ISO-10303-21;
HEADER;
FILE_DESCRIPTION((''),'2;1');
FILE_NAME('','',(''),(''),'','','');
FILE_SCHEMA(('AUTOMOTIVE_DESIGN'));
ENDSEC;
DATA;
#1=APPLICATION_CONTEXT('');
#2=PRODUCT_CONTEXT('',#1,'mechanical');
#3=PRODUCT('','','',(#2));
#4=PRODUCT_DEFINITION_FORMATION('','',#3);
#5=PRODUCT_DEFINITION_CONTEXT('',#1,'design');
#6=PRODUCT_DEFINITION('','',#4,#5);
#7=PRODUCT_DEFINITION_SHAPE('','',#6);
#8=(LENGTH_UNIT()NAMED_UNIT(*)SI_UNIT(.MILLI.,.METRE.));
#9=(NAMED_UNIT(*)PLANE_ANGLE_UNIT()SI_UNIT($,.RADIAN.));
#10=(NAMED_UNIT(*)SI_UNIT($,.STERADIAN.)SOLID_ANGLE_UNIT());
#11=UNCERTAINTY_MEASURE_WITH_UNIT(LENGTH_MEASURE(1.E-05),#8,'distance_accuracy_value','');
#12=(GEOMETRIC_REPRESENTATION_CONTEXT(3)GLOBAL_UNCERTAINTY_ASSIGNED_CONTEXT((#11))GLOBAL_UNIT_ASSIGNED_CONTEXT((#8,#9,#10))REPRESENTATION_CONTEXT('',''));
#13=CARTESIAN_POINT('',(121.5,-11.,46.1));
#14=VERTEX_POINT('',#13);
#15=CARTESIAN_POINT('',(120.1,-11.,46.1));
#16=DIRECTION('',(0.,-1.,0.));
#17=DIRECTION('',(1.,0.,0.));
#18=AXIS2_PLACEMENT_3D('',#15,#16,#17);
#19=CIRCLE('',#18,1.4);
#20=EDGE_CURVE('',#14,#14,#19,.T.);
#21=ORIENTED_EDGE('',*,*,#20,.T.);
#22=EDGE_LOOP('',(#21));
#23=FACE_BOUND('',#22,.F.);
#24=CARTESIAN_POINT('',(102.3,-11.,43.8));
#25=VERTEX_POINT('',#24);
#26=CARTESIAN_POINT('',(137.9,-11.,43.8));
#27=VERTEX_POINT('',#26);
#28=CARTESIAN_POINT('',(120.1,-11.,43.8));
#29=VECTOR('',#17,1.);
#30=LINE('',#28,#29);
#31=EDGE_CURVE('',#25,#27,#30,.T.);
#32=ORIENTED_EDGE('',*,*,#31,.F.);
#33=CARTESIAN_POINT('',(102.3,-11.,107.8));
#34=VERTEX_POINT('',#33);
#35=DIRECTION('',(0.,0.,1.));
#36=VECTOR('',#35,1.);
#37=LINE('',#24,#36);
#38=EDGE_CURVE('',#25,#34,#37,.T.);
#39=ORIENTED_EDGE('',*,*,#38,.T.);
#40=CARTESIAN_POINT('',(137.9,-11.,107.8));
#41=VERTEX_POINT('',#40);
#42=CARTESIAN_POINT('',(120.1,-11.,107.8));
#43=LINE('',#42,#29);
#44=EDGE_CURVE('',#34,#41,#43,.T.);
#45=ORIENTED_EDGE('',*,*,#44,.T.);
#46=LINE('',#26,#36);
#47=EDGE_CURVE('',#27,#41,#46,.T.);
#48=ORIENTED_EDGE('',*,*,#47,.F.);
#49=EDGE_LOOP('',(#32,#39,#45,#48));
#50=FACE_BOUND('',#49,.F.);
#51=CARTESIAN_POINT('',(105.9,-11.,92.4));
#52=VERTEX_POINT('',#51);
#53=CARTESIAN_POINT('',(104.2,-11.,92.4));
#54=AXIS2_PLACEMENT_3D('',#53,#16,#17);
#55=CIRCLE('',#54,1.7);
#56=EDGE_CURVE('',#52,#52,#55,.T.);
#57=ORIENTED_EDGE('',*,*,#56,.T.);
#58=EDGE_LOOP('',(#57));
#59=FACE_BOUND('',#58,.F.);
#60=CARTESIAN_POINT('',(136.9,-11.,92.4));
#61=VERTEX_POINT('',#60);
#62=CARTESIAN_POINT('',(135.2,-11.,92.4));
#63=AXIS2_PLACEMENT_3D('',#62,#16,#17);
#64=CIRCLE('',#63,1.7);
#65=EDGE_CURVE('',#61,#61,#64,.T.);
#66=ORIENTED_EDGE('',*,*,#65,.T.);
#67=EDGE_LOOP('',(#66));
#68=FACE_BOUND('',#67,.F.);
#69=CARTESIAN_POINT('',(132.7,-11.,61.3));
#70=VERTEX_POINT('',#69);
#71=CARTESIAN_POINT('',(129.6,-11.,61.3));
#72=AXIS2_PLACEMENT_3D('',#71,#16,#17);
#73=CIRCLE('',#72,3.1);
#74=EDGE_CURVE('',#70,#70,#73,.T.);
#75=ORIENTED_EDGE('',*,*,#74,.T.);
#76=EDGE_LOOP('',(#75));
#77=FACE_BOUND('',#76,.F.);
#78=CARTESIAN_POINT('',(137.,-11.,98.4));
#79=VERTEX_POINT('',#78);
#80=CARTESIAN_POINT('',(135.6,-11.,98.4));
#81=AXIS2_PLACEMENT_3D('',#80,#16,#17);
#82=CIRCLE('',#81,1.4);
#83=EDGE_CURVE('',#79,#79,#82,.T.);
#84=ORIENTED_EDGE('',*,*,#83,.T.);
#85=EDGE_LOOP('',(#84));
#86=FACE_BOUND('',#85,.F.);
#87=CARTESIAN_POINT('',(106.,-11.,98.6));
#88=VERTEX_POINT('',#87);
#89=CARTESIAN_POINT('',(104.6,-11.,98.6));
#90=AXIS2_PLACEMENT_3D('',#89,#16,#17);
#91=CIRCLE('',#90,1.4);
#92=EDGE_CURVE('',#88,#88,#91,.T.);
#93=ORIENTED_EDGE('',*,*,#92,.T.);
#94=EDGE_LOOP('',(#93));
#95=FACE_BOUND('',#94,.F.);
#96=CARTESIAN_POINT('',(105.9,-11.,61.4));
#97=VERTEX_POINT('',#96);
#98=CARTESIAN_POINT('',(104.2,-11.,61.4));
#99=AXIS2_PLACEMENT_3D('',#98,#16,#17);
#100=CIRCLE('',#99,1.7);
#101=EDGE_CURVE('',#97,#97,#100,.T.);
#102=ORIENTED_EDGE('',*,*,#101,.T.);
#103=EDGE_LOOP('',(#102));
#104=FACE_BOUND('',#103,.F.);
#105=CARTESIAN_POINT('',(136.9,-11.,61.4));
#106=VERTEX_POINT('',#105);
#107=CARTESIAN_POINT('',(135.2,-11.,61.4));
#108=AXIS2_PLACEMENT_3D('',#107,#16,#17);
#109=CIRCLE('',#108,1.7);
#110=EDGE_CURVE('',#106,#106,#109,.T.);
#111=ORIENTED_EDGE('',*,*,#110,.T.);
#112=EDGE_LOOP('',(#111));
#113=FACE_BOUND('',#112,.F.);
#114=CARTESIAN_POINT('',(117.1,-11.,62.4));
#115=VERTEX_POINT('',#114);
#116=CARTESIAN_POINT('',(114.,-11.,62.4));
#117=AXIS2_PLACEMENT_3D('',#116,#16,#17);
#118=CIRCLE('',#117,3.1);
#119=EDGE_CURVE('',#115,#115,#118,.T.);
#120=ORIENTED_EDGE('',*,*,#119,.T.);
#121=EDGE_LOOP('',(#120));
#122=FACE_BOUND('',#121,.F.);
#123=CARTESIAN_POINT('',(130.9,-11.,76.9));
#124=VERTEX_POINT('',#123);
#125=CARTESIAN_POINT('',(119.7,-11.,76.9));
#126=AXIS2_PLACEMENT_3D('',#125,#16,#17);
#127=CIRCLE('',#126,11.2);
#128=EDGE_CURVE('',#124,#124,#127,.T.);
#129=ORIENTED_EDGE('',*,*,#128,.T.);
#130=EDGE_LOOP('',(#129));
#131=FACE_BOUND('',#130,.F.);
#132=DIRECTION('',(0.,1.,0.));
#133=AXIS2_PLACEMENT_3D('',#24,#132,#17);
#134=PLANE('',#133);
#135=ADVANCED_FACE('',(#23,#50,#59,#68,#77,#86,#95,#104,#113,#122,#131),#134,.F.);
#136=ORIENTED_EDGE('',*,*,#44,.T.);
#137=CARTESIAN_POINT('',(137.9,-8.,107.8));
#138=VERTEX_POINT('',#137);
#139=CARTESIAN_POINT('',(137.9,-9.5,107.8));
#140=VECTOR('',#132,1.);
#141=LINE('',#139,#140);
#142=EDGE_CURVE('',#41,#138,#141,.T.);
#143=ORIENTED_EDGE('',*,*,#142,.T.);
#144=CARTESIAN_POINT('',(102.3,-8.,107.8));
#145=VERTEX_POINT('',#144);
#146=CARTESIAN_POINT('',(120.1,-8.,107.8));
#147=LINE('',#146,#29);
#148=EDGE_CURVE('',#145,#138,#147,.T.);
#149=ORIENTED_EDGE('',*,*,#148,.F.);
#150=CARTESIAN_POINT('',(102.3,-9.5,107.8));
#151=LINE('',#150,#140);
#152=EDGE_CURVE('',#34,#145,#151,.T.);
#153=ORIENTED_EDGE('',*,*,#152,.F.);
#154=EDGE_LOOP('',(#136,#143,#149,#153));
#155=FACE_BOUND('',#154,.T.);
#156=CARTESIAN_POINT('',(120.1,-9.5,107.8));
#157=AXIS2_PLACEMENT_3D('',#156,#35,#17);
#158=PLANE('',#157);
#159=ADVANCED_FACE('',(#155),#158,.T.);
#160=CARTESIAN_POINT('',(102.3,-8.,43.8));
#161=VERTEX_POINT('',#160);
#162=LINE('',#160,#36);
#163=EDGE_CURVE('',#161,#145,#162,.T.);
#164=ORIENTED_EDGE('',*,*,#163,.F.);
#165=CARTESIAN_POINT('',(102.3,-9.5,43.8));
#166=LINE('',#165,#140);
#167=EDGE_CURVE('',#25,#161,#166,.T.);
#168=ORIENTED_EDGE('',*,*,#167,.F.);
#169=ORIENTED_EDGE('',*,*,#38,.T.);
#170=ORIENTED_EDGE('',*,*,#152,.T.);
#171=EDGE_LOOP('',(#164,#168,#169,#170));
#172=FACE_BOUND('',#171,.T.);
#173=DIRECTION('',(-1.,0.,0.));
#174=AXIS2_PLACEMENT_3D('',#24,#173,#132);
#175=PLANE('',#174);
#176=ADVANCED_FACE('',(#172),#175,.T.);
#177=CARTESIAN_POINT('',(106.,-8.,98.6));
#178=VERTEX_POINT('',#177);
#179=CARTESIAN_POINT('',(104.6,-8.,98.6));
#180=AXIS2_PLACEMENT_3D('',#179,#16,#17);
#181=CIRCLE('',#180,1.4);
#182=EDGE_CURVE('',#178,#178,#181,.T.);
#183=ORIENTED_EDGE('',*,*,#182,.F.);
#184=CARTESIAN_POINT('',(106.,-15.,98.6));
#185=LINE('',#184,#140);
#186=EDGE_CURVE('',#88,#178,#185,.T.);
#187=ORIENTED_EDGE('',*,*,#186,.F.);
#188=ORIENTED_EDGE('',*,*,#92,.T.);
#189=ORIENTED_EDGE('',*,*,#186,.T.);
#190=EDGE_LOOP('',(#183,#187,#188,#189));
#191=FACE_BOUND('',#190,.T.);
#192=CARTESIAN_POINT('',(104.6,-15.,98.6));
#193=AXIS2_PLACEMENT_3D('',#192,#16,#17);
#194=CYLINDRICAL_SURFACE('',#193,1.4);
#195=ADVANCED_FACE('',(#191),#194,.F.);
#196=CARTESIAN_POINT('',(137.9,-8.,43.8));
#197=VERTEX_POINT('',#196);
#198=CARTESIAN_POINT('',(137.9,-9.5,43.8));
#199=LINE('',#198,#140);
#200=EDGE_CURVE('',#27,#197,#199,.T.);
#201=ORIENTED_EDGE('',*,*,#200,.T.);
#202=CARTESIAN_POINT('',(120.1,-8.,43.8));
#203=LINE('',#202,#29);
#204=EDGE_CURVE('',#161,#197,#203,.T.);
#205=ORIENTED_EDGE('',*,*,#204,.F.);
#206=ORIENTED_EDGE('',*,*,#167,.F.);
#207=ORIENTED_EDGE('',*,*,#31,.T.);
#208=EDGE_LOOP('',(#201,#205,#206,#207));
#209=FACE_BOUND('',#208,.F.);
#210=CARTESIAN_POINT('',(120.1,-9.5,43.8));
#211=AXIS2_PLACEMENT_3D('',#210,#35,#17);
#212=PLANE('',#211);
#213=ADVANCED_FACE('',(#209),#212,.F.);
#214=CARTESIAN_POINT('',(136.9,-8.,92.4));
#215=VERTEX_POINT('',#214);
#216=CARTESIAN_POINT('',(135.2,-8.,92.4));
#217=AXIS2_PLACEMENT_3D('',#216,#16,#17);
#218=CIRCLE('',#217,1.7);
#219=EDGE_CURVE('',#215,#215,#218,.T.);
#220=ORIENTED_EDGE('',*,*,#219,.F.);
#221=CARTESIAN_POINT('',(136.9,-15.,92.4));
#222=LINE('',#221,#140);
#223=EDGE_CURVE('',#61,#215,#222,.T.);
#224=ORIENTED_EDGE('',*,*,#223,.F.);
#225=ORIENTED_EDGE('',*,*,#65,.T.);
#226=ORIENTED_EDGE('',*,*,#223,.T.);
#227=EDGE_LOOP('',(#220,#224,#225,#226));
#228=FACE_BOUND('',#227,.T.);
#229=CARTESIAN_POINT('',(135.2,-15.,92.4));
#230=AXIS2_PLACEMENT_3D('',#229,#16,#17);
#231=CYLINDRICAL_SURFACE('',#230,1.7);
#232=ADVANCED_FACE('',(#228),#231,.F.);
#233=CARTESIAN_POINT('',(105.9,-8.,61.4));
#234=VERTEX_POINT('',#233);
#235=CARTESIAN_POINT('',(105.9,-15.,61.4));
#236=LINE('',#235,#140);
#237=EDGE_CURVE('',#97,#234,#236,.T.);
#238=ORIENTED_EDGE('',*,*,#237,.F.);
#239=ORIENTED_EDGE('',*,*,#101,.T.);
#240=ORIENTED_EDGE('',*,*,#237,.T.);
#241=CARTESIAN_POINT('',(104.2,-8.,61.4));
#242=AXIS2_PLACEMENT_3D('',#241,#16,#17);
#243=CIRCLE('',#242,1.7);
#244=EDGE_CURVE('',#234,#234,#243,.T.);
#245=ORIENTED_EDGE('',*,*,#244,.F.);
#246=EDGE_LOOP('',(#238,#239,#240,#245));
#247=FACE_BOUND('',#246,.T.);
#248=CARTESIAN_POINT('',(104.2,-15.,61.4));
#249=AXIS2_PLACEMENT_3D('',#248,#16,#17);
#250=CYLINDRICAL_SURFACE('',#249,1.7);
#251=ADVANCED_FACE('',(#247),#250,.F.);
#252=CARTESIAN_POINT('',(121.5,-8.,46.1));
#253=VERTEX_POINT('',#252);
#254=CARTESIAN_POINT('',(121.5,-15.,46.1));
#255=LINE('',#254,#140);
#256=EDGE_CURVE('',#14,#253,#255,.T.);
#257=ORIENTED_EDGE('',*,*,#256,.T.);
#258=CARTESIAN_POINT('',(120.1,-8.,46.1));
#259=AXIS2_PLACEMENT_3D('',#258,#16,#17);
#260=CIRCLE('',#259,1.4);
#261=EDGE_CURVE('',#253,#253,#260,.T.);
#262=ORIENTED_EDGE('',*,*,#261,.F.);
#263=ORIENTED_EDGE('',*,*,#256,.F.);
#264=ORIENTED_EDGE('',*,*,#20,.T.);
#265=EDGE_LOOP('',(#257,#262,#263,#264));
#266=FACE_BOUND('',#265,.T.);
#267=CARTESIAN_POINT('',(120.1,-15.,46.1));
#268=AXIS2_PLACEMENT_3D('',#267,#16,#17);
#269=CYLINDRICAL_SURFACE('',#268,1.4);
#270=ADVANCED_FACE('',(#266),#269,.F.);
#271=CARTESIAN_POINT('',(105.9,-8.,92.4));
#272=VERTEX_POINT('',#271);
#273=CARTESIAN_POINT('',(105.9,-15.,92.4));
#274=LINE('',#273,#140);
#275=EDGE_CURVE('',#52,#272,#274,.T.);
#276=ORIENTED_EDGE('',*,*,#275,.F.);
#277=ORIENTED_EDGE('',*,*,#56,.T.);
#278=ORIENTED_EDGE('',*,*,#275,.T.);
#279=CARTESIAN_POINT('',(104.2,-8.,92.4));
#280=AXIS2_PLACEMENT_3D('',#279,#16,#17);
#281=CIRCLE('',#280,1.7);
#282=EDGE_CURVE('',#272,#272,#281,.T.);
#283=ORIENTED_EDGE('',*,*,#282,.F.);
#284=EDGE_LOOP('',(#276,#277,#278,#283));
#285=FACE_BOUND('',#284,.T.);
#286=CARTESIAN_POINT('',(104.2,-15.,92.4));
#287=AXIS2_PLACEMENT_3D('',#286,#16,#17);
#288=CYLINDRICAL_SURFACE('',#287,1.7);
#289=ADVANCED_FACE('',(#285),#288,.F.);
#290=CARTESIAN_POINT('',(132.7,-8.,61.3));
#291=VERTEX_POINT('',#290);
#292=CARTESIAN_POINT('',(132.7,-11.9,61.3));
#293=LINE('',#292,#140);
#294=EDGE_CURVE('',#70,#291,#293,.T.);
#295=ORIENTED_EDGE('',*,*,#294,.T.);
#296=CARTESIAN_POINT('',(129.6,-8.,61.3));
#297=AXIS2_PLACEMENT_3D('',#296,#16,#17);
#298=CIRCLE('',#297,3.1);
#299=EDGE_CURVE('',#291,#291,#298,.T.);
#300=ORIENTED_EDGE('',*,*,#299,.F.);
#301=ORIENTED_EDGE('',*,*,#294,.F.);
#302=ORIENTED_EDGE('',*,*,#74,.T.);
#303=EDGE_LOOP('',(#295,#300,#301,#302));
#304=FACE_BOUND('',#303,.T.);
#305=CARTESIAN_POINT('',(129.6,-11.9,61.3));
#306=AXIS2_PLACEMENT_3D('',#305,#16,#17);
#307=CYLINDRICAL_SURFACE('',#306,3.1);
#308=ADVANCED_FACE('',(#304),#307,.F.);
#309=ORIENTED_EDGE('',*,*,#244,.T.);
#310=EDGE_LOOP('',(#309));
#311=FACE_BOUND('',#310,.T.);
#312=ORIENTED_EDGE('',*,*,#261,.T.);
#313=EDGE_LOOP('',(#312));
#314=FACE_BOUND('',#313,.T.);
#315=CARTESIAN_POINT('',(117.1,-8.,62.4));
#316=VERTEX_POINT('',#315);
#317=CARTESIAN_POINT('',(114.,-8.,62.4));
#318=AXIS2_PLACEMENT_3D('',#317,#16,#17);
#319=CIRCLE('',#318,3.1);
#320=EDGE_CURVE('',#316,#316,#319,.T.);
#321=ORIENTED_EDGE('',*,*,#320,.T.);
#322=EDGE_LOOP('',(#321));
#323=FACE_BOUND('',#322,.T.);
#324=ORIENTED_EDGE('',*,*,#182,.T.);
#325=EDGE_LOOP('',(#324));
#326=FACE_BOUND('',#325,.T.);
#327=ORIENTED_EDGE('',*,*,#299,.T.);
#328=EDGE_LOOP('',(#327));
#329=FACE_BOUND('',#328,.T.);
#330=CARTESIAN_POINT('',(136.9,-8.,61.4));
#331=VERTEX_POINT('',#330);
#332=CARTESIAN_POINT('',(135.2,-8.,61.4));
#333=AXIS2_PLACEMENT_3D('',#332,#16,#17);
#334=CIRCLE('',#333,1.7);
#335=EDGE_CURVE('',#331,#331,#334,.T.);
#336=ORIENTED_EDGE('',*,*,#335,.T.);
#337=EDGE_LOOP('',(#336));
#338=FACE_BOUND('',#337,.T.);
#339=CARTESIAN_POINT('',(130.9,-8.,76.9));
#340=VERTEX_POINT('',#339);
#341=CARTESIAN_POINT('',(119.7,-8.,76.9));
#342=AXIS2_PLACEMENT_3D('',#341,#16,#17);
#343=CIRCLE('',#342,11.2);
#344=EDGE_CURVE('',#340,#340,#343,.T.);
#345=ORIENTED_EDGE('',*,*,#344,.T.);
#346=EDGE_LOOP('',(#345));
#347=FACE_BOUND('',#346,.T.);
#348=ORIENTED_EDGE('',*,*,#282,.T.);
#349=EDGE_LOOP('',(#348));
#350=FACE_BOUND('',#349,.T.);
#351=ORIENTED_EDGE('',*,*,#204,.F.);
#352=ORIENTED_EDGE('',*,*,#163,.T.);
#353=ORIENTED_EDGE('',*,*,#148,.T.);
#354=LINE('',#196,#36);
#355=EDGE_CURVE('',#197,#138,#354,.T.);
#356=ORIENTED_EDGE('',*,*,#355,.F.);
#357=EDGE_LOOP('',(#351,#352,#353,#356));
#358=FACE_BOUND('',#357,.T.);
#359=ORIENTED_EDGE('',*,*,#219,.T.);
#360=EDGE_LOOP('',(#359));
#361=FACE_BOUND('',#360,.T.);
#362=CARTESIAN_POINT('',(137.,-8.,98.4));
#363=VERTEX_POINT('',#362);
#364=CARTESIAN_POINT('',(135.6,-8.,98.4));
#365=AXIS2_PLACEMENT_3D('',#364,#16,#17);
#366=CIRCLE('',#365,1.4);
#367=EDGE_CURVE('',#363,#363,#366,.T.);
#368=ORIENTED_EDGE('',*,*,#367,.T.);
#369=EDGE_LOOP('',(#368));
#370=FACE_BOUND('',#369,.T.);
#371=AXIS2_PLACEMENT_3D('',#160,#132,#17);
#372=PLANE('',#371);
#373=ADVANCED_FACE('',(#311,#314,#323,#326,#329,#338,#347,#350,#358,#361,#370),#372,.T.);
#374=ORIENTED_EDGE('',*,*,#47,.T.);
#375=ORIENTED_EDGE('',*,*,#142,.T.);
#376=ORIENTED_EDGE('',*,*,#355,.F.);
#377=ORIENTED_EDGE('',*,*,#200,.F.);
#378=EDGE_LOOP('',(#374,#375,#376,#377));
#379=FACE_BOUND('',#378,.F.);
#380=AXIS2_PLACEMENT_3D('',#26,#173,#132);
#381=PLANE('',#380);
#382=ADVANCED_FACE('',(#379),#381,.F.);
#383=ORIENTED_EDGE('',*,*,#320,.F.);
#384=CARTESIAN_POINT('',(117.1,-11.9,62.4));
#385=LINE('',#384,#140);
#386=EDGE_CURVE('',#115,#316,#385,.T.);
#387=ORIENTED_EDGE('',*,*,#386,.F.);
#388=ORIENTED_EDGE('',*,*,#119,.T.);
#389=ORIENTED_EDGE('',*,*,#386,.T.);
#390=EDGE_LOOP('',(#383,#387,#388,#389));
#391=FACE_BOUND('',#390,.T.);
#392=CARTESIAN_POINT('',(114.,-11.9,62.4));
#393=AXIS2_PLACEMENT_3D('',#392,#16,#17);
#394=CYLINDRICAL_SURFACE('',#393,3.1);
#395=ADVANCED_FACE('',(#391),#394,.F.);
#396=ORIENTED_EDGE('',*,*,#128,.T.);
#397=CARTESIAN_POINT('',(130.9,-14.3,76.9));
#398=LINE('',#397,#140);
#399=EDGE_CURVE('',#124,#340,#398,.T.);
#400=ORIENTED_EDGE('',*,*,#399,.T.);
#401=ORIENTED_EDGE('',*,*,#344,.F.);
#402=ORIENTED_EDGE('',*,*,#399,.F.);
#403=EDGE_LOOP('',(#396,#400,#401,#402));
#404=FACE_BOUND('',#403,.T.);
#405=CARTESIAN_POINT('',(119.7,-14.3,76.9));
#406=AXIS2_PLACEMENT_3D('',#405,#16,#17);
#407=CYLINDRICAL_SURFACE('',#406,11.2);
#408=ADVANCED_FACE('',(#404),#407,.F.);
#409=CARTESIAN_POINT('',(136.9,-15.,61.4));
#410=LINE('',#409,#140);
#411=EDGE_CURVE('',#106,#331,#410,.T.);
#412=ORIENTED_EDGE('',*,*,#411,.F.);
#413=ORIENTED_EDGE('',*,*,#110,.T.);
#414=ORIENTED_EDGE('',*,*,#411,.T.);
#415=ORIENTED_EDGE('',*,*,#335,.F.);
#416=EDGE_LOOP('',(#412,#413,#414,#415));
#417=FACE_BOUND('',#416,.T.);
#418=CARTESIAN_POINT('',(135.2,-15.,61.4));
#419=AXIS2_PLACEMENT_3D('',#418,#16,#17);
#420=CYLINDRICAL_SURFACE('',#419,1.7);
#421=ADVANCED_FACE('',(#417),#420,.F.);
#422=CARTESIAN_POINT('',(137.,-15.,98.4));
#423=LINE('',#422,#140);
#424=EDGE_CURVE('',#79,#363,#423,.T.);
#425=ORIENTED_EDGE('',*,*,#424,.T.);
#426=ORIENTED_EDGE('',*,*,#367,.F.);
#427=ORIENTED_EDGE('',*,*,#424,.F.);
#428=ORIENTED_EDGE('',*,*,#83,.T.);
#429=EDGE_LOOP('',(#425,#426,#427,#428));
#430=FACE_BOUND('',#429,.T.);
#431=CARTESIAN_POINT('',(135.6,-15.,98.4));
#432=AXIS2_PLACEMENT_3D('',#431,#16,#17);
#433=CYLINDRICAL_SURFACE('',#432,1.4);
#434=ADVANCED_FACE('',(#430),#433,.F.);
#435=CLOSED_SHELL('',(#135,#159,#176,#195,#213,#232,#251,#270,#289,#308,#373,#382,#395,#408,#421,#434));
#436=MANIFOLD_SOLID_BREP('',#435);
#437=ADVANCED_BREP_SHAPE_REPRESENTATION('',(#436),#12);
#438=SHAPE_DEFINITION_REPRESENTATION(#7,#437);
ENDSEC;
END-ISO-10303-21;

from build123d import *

# Parameters (mm, degrees)
CYLINDER229_R     = 11.2
CYLINDER229_DEPTH = 10
CYLINDER223_R     = 1.7
CYLINDER223_DEPTH = 10
CYLINDER221_R     = 1.4
CYLINDER221_DEPTH = 10
CYLINDER220_R     = 1.7
CYLINDER220_DEPTH = 10
CYLINDER224_R     = 1.7
CYLINDER224_DEPTH = 10
CYLINDER222_R     = 1.7
CYLINDER222_DEPTH = 10
CYLINDER226_R     = 1.4
CYLINDER226_DEPTH = 10
CYLINDER225_R     = 1.4
CYLINDER225_DEPTH = 10
CYLINDER215_R     = 3.1
CYLINDER215_DEPTH = 28
CYLINDER214_R     = 3.1
CYLINDER214_DEPTH = 28
BOX081_W          = 35.6
BOX081_H          = 3
BOX081_DEPTH      = 64


with BuildPart() as cylinder229:
    # Cylinder229 → Cylinder229 (new body)
    with BuildSketch(Plane(origin=(119.7, -14.3, 76.9), x_dir=(1, 0, 0), z_dir=(0, 1, 0))):
        Circle(CYLINDER229_R)
    extrude(amount=CYLINDER229_DEPTH)


with BuildPart() as cylinder223:
    # Cylinder223 → Cylinder223 (new body)
    with BuildSketch(Plane(origin=(135.2, -15, 61.4), x_dir=(1, 0, 0), z_dir=(0, 1, 0))):
        Circle(CYLINDER223_R)
    extrude(amount=CYLINDER223_DEPTH)


with BuildPart() as cylinder221:
    # Cylinder221 → Cylinder221 (new body)
    with BuildSketch(Plane(origin=(120.1, -15, 46.1), x_dir=(1, 0, 0), z_dir=(0, 1, 0))):
        Circle(CYLINDER221_R)
    extrude(amount=CYLINDER221_DEPTH)


with BuildPart() as cylinder220:
    # Cylinder220 → Cylinder220 (new body)
    with BuildSketch(Plane(origin=(104.2, -15, 61.4), x_dir=(1, 0, 0), z_dir=(0, 1, 0))):
        Circle(CYLINDER220_R)
    extrude(amount=CYLINDER220_DEPTH)


with BuildPart() as cylinder224:
    # Cylinder224 → Cylinder224 (new body)
    with BuildSketch(Plane(origin=(104.2, -15, 92.4), x_dir=(1, 0, 0), z_dir=(0, 1, 0))):
        Circle(CYLINDER224_R)
    extrude(amount=CYLINDER224_DEPTH)


with BuildPart() as cylinder222:
    # Cylinder222 → Cylinder222 (new body)
    with BuildSketch(Plane(origin=(135.2, -15, 92.4), x_dir=(1, 0, 0), z_dir=(0, 1, 0))):
        Circle(CYLINDER222_R)
    extrude(amount=CYLINDER222_DEPTH)


with BuildPart() as cylinder226:
    # Cylinder226 → Cylinder226 (new body)
    with BuildSketch(Plane(origin=(135.6, -15, 98.4), x_dir=(1, 0, 0), z_dir=(0, 1, 0))):
        Circle(CYLINDER226_R)
    extrude(amount=CYLINDER226_DEPTH)


with BuildPart() as cylinder225:
    # Cylinder225 → Cylinder225 (new body)
    with BuildSketch(Plane(origin=(104.6, -15, 98.6), x_dir=(1, 0, 0), z_dir=(0, 1, 0))):
        Circle(CYLINDER225_R)
    extrude(amount=CYLINDER225_DEPTH)


with BuildPart() as cylinder215:
    # Cylinder215 → Cylinder215 (new body)
    with BuildSketch(Plane(origin=(129.6, -11.9, 61.3), x_dir=(1, 0, 0), z_dir=(0, 1, 0))):
        Circle(CYLINDER215_R)
    extrude(amount=CYLINDER215_DEPTH)


with BuildPart() as cylinder214:
    # Cylinder214 → Cylinder214 (new body)
    with BuildSketch(Plane(origin=(114, -11.9, 62.4), x_dir=(1, 0, 0), z_dir=(0, 1, 0))):
        Circle(CYLINDER214_R)
    extrude(amount=CYLINDER214_DEPTH)


with BuildPart() as cut269:
    # Box081 → Box081 (new body)
    with BuildSketch(Plane(origin=(102.3, -11, 43.8), x_dir=(1, 0, 0), z_dir=(0, 0, 1))):
        with Locations((17.8, 1.5)):
            Rectangle(BOX081_W, BOX081_H)
    extrude(amount=BOX081_DEPTH)

    # Cut260: cut Cylinder214
    add(cylinder214.part, mode=Mode.SUBTRACT)

    # Cut261: cut Cylinder215
    add(cylinder215.part, mode=Mode.SUBTRACT)

    # Cut262: cut Cylinder225
    add(cylinder225.part, mode=Mode.SUBTRACT)

    # Cut263: cut Cylinder226
    add(cylinder226.part, mode=Mode.SUBTRACT)

    # Cut264: cut Cylinder222
    add(cylinder222.part, mode=Mode.SUBTRACT)

    # Cut265: cut Cylinder224
    add(cylinder224.part, mode=Mode.SUBTRACT)

    # Cut266: cut Cylinder220
    add(cylinder220.part, mode=Mode.SUBTRACT)

    # Cut267: cut Cylinder221
    add(cylinder221.part, mode=Mode.SUBTRACT)

    # Cut268: cut Cylinder223
    add(cylinder223.part, mode=Mode.SUBTRACT)

    # Cut269: cut Cylinder229
    add(cylinder229.part, mode=Mode.SUBTRACT)


solid = cut269.part
